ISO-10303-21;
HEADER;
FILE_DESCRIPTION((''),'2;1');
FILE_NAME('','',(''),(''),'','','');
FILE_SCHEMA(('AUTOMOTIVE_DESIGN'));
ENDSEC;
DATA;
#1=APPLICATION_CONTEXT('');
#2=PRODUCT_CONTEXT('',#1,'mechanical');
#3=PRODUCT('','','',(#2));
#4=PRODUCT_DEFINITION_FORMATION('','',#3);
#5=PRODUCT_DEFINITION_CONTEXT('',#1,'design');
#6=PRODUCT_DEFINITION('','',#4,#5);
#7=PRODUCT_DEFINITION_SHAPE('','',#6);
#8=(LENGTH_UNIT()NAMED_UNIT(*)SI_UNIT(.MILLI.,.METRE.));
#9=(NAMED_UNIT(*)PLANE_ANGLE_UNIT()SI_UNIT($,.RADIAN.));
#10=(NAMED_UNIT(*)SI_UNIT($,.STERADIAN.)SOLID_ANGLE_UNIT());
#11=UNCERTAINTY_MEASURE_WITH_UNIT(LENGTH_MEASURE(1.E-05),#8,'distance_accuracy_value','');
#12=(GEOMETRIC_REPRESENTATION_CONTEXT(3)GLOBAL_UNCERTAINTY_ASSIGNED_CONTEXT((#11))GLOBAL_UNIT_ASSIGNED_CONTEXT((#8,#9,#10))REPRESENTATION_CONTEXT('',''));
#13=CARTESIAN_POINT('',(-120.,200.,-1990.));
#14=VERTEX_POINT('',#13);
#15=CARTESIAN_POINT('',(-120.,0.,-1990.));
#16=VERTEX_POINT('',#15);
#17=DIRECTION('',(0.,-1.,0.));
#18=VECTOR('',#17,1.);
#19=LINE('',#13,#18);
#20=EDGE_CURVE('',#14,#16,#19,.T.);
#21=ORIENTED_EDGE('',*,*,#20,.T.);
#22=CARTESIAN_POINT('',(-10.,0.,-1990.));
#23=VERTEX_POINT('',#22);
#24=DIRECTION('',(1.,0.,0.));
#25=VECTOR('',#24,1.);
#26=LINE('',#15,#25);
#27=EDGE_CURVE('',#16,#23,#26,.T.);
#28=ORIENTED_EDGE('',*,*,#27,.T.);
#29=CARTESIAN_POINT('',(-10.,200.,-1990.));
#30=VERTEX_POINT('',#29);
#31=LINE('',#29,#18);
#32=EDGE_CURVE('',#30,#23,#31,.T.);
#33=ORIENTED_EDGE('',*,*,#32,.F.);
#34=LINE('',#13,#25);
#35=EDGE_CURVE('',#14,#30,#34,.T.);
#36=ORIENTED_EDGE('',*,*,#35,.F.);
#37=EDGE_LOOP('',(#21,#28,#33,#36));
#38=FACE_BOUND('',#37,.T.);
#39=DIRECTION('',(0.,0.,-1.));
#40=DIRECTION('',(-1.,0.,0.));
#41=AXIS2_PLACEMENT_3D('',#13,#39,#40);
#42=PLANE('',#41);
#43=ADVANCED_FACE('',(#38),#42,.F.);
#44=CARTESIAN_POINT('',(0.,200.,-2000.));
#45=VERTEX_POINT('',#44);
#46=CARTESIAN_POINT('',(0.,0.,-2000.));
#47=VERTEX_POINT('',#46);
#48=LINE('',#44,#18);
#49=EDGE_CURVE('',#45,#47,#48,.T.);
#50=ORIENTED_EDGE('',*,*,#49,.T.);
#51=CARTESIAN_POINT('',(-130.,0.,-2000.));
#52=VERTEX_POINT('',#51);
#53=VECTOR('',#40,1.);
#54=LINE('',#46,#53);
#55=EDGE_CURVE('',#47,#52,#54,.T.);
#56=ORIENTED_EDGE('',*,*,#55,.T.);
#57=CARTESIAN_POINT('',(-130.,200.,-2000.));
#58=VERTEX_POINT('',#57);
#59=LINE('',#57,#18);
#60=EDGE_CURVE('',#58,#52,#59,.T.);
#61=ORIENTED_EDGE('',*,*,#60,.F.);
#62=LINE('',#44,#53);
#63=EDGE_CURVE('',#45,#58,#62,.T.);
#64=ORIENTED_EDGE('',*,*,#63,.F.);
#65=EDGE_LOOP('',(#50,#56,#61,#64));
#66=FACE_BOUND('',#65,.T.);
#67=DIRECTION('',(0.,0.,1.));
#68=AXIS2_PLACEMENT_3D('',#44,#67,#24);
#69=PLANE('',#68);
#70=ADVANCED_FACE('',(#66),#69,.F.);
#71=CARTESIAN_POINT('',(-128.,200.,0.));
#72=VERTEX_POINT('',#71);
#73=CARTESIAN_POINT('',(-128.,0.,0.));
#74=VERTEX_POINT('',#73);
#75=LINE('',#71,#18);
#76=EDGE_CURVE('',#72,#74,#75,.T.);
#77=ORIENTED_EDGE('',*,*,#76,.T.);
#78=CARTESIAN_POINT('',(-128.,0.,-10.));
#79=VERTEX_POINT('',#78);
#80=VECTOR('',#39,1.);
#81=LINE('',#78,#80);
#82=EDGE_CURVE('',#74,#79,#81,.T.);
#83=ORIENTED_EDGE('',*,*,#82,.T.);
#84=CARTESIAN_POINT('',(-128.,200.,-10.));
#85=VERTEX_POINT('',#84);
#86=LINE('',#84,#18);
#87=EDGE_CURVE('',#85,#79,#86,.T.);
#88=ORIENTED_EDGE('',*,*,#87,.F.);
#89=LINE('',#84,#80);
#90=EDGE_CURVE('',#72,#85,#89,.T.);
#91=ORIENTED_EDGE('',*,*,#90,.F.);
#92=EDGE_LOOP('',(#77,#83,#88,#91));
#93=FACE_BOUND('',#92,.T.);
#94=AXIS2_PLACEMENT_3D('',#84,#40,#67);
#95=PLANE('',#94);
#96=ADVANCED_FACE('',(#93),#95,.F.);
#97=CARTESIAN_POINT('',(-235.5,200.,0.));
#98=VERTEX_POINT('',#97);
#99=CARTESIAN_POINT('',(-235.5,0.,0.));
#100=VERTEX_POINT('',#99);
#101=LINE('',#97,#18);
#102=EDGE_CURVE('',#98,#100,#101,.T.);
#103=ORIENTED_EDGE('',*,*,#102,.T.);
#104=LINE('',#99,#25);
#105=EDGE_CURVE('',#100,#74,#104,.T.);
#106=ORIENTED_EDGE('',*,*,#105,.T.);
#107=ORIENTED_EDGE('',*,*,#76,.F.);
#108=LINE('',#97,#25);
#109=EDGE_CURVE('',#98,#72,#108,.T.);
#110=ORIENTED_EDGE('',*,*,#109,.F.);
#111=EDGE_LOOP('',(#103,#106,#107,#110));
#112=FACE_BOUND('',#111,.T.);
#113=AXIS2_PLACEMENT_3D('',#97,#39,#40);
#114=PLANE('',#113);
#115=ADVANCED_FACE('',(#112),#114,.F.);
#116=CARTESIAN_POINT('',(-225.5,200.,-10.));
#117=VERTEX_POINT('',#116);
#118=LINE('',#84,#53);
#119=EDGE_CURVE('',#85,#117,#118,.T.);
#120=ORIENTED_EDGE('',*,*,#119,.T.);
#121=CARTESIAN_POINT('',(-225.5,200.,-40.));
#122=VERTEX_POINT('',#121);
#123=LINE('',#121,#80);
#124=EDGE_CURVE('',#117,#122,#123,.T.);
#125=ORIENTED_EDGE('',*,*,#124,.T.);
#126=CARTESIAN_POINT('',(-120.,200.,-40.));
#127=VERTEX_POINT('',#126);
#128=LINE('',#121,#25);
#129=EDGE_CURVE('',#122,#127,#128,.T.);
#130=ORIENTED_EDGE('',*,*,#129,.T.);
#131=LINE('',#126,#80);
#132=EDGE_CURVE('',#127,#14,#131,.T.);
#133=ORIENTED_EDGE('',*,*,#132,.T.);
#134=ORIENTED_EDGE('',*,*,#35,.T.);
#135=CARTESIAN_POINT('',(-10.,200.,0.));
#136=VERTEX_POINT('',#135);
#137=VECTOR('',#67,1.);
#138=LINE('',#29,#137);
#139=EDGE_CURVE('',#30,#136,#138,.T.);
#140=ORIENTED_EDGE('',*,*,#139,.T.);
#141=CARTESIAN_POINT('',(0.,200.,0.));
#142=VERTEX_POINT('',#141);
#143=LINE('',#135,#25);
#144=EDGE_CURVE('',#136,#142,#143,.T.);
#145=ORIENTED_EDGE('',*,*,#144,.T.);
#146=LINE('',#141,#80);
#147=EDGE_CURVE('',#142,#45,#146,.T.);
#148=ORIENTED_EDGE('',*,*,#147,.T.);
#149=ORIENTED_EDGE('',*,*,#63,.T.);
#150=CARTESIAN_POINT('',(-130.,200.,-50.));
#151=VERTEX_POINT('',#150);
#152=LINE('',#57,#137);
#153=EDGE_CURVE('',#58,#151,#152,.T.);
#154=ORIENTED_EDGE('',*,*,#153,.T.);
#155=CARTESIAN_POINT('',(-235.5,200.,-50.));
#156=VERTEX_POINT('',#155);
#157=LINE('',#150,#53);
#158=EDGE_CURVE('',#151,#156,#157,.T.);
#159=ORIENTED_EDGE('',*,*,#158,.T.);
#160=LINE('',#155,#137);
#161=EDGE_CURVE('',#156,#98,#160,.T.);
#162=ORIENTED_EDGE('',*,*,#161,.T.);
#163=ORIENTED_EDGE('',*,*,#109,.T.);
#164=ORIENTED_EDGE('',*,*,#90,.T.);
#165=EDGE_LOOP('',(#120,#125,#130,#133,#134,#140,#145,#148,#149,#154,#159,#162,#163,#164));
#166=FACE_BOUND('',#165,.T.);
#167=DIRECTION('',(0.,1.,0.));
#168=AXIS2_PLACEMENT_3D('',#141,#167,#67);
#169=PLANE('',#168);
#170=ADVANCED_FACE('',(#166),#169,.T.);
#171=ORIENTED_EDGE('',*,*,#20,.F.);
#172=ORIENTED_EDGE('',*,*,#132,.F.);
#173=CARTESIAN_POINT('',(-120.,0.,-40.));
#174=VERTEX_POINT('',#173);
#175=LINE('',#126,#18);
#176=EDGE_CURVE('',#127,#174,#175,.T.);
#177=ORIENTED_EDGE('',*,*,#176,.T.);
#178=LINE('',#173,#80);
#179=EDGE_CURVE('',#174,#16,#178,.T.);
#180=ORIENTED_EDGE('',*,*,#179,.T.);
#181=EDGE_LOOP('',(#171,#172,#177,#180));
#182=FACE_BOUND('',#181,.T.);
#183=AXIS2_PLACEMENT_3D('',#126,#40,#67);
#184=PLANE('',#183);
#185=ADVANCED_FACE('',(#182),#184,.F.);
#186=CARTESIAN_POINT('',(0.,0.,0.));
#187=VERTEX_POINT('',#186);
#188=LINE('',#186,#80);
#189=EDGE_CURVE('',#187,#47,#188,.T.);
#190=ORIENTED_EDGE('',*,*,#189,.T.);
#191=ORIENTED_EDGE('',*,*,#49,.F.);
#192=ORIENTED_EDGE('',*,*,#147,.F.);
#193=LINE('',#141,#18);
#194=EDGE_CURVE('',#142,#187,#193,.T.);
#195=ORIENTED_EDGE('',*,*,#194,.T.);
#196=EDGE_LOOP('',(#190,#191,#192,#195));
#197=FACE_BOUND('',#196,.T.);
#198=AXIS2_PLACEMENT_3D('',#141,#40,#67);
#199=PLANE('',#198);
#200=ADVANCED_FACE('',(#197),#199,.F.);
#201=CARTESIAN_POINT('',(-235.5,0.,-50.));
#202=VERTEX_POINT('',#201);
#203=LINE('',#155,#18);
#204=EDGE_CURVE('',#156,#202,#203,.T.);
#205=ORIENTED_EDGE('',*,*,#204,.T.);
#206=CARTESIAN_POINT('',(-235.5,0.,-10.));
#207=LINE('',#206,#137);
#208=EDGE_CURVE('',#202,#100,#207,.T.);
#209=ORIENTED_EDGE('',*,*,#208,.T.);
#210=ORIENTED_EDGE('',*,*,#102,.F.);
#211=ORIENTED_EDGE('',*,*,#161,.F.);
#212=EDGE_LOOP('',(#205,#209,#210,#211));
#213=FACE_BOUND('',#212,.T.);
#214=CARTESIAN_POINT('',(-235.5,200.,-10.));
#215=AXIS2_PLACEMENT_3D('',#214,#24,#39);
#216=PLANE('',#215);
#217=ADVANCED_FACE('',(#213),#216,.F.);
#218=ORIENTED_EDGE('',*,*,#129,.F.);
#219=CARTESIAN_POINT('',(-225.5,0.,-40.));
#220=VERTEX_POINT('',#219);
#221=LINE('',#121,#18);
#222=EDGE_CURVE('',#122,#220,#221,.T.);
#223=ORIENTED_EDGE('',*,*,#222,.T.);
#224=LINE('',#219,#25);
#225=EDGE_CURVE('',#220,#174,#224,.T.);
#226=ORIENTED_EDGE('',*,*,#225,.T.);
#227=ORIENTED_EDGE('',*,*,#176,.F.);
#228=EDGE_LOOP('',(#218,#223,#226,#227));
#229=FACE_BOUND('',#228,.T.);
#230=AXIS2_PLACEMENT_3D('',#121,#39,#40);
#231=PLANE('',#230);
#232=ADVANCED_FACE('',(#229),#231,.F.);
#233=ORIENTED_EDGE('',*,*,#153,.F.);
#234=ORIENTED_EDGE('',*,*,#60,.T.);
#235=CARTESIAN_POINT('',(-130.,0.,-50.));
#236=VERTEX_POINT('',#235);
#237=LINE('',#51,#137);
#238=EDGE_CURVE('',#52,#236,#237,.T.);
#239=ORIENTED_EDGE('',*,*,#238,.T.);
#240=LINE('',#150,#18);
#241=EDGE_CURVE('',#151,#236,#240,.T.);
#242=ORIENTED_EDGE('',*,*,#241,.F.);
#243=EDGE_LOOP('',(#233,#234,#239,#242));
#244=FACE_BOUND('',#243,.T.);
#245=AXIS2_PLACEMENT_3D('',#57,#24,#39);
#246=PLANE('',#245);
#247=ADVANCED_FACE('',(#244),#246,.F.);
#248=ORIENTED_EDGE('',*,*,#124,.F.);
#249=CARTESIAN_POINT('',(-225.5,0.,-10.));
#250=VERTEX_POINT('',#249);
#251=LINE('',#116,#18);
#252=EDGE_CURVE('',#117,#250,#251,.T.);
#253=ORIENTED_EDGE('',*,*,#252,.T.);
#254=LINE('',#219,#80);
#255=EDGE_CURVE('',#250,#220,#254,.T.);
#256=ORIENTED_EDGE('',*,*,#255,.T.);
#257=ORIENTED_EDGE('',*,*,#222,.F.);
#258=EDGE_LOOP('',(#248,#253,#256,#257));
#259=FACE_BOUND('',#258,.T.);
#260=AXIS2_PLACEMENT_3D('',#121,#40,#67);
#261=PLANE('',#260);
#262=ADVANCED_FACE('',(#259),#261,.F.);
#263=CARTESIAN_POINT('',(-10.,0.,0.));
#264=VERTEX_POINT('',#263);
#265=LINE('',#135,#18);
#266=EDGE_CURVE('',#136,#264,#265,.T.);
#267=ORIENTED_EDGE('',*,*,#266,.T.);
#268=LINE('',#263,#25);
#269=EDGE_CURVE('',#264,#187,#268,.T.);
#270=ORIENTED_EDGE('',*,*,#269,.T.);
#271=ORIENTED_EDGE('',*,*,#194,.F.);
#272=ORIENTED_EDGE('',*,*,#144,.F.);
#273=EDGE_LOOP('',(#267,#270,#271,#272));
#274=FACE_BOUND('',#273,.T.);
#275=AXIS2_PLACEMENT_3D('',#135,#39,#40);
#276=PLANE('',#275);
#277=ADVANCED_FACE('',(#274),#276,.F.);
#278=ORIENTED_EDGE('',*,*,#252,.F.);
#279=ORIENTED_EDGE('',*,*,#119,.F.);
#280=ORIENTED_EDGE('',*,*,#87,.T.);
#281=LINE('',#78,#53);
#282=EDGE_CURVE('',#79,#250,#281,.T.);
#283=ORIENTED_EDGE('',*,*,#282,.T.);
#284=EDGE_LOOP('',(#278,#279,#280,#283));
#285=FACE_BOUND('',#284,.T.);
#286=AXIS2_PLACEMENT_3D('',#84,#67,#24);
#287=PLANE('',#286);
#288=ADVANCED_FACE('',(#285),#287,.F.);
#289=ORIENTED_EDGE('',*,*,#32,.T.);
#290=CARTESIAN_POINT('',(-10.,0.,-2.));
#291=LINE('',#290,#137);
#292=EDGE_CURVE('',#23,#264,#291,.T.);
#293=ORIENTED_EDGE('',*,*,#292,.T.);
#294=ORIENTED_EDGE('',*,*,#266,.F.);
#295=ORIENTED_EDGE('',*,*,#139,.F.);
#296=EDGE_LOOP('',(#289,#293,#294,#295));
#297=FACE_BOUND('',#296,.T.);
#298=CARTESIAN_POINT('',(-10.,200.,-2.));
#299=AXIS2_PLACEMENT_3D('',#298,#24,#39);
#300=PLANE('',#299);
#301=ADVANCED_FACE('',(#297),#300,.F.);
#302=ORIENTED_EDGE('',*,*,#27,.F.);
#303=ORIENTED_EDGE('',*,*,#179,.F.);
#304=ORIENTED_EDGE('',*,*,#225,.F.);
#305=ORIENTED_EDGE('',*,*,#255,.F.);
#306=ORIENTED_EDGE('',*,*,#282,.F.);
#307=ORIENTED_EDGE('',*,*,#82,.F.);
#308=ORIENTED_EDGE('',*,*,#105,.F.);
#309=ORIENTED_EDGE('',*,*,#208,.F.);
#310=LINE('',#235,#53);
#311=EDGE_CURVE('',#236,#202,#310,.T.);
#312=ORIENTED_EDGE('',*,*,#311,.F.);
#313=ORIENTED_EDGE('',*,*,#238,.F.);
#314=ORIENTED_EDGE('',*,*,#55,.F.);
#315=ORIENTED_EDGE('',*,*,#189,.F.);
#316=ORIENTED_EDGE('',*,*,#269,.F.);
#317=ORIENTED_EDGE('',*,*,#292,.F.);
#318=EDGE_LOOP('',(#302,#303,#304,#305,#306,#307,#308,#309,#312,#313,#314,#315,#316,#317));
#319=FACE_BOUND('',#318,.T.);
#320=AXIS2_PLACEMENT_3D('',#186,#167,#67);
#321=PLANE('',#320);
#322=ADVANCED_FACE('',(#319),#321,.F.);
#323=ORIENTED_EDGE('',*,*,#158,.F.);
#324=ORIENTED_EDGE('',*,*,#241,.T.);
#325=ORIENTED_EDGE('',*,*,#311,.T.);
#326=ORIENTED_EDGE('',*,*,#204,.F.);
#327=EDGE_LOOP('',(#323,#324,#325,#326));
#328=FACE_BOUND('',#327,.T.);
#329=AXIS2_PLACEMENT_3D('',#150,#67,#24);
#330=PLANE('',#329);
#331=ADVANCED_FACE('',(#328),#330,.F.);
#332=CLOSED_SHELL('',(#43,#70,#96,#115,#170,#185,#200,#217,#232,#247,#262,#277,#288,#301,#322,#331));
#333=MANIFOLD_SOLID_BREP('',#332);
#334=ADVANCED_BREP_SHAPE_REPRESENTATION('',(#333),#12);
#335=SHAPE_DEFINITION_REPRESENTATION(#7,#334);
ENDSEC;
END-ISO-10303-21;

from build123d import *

# Parameters (mm, degrees)
BOSS_EXTRUDE1_DEPTH = 200


with BuildPart() as part:
    # Sketch2 → Boss-Extrude1 (new body)
    with BuildSketch(Plane(origin=(0, 0, 0), x_dir=(1, 0, 0), z_dir=(0, 1, 0))):
        Polygon((0, 0), (0, 2000), (-130, 2000), (-130, 50), (-235.5, 50), (-235.5, 40), (-235.5, 10), (-235.5, 0), (-128, 0), (-128, 10), (-225.5, 10), (-225.5, 40), (-120, 40), (-120, 1990), (-10, 1990), (-10, 2), (-10, 0), align=None)
    extrude(amount=BOSS_EXTRUDE1_DEPTH)


solid = part.part
